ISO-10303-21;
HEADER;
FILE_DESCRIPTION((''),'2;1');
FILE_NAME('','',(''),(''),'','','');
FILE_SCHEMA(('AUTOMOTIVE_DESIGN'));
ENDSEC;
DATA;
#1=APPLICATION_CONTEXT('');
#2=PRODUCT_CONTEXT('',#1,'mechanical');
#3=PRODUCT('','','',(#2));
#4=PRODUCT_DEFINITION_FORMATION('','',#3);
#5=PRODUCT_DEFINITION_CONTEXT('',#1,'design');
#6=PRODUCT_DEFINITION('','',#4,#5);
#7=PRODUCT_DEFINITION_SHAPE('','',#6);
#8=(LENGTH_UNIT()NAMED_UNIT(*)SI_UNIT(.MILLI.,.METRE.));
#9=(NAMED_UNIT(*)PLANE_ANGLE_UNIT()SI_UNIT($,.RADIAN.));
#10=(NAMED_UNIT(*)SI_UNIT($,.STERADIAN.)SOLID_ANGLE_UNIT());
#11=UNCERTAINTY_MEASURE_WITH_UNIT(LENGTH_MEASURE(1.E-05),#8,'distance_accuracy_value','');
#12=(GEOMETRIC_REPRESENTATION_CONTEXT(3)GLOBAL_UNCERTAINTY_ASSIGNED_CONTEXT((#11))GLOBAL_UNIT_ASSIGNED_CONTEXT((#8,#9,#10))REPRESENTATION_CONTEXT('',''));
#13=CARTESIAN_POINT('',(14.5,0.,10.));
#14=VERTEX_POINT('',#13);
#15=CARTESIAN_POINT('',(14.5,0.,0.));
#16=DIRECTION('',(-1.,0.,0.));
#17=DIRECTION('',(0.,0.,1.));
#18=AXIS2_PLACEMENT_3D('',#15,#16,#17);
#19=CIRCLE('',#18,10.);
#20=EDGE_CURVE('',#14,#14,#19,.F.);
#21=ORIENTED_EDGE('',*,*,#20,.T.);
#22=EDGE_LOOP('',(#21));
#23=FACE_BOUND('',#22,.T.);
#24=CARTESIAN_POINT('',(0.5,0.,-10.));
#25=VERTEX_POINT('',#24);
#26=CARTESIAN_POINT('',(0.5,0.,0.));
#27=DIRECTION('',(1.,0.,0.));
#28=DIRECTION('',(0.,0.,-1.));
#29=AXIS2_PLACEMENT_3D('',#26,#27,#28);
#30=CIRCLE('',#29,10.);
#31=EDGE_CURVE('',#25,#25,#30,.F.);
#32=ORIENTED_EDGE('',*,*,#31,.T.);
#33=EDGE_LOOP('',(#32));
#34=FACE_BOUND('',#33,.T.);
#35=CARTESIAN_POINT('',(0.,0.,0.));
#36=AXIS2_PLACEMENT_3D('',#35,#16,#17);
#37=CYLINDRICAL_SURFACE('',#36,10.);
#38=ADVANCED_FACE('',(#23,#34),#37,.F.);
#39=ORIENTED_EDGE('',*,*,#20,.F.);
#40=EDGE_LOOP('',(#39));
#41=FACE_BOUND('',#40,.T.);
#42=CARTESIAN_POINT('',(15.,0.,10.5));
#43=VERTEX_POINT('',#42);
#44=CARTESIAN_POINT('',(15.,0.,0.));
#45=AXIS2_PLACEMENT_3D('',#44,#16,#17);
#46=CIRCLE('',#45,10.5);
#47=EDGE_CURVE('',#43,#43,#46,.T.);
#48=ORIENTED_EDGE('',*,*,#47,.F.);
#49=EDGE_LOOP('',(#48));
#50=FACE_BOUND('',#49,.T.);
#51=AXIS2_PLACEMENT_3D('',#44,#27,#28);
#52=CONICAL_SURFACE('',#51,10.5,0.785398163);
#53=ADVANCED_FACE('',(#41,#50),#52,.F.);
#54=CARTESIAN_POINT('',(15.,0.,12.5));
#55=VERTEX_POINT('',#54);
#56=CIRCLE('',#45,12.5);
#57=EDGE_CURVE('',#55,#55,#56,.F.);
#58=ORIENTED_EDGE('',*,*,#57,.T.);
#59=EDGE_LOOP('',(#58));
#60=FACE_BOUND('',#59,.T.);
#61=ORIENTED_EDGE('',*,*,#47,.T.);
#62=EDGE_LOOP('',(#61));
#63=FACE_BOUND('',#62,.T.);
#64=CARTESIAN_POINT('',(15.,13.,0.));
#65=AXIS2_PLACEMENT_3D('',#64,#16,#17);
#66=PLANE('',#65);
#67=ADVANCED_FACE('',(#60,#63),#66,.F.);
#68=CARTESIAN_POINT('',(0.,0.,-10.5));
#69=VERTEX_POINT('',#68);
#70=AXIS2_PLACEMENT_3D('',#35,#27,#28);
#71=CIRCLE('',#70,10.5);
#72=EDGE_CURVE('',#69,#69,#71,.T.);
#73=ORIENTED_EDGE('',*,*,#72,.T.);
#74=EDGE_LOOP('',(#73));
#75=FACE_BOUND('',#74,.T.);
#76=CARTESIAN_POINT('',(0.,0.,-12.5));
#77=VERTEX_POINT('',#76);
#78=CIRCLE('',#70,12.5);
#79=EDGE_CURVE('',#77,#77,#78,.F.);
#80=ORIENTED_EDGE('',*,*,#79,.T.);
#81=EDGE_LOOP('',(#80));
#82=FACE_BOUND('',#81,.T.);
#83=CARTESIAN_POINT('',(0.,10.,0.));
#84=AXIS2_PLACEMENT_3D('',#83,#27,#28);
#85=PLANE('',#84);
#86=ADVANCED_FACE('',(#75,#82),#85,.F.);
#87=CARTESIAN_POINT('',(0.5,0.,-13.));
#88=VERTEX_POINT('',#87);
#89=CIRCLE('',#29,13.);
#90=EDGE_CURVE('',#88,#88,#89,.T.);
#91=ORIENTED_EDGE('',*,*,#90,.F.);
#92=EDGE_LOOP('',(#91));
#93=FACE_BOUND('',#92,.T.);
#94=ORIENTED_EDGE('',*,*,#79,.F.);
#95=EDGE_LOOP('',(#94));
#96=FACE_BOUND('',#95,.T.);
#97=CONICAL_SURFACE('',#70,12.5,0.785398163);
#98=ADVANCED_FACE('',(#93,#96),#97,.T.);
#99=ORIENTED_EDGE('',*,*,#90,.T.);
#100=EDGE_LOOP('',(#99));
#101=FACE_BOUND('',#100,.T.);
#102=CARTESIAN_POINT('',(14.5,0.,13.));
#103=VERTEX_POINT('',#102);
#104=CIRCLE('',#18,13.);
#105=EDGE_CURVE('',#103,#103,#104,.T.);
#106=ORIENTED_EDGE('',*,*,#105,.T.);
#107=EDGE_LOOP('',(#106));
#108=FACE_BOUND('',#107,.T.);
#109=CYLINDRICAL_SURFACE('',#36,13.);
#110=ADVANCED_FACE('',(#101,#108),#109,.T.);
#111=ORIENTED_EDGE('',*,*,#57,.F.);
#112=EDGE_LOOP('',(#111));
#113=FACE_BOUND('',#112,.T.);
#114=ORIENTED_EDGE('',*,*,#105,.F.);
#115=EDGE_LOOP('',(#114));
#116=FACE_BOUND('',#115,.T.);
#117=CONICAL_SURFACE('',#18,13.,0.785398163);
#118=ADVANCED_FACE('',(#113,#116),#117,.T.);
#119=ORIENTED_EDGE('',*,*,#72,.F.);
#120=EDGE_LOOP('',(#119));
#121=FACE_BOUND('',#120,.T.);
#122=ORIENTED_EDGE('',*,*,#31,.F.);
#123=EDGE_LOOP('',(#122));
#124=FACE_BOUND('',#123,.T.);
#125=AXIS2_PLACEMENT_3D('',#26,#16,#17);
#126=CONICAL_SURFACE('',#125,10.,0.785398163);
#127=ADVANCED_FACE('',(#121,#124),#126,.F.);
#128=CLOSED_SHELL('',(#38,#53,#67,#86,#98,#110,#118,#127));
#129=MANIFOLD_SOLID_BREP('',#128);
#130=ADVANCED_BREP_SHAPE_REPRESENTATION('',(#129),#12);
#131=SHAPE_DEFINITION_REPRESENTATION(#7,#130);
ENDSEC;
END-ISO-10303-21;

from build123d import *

# Parameters (mm, degrees)
SKICA1_W     = 15
SKICA1_H     = 3
ZKOSIT1_SIZE = 0.5


with BuildPart() as part:
    # Skica1 → Otočit kolem osy1 (revolve)
    with BuildSketch(Plane.XY, mode=Mode.PRIVATE) as oto_it_kolem_osy1_sk:
        with Locations((7.5, 11.5)):
            Rectangle(SKICA1_W, SKICA1_H)
    revolve(oto_it_kolem_osy1_sk.sketch.rotate(Axis((0, 0, 0), (1, 0, 0)), 90), axis=Axis((0, 0, 0), (1, 0, 0)))

    # Zkosit1
    zkosit1_edges = [part.edges().sort_by_distance(p)[0] for p in [
        (0, 0, -10),
        (15, 0, -10),
        (15, 0, -13),
        (0, 0, -13),
    ]]
    chamfer(zkosit1_edges, length=ZKOSIT1_SIZE)


solid = part.part
